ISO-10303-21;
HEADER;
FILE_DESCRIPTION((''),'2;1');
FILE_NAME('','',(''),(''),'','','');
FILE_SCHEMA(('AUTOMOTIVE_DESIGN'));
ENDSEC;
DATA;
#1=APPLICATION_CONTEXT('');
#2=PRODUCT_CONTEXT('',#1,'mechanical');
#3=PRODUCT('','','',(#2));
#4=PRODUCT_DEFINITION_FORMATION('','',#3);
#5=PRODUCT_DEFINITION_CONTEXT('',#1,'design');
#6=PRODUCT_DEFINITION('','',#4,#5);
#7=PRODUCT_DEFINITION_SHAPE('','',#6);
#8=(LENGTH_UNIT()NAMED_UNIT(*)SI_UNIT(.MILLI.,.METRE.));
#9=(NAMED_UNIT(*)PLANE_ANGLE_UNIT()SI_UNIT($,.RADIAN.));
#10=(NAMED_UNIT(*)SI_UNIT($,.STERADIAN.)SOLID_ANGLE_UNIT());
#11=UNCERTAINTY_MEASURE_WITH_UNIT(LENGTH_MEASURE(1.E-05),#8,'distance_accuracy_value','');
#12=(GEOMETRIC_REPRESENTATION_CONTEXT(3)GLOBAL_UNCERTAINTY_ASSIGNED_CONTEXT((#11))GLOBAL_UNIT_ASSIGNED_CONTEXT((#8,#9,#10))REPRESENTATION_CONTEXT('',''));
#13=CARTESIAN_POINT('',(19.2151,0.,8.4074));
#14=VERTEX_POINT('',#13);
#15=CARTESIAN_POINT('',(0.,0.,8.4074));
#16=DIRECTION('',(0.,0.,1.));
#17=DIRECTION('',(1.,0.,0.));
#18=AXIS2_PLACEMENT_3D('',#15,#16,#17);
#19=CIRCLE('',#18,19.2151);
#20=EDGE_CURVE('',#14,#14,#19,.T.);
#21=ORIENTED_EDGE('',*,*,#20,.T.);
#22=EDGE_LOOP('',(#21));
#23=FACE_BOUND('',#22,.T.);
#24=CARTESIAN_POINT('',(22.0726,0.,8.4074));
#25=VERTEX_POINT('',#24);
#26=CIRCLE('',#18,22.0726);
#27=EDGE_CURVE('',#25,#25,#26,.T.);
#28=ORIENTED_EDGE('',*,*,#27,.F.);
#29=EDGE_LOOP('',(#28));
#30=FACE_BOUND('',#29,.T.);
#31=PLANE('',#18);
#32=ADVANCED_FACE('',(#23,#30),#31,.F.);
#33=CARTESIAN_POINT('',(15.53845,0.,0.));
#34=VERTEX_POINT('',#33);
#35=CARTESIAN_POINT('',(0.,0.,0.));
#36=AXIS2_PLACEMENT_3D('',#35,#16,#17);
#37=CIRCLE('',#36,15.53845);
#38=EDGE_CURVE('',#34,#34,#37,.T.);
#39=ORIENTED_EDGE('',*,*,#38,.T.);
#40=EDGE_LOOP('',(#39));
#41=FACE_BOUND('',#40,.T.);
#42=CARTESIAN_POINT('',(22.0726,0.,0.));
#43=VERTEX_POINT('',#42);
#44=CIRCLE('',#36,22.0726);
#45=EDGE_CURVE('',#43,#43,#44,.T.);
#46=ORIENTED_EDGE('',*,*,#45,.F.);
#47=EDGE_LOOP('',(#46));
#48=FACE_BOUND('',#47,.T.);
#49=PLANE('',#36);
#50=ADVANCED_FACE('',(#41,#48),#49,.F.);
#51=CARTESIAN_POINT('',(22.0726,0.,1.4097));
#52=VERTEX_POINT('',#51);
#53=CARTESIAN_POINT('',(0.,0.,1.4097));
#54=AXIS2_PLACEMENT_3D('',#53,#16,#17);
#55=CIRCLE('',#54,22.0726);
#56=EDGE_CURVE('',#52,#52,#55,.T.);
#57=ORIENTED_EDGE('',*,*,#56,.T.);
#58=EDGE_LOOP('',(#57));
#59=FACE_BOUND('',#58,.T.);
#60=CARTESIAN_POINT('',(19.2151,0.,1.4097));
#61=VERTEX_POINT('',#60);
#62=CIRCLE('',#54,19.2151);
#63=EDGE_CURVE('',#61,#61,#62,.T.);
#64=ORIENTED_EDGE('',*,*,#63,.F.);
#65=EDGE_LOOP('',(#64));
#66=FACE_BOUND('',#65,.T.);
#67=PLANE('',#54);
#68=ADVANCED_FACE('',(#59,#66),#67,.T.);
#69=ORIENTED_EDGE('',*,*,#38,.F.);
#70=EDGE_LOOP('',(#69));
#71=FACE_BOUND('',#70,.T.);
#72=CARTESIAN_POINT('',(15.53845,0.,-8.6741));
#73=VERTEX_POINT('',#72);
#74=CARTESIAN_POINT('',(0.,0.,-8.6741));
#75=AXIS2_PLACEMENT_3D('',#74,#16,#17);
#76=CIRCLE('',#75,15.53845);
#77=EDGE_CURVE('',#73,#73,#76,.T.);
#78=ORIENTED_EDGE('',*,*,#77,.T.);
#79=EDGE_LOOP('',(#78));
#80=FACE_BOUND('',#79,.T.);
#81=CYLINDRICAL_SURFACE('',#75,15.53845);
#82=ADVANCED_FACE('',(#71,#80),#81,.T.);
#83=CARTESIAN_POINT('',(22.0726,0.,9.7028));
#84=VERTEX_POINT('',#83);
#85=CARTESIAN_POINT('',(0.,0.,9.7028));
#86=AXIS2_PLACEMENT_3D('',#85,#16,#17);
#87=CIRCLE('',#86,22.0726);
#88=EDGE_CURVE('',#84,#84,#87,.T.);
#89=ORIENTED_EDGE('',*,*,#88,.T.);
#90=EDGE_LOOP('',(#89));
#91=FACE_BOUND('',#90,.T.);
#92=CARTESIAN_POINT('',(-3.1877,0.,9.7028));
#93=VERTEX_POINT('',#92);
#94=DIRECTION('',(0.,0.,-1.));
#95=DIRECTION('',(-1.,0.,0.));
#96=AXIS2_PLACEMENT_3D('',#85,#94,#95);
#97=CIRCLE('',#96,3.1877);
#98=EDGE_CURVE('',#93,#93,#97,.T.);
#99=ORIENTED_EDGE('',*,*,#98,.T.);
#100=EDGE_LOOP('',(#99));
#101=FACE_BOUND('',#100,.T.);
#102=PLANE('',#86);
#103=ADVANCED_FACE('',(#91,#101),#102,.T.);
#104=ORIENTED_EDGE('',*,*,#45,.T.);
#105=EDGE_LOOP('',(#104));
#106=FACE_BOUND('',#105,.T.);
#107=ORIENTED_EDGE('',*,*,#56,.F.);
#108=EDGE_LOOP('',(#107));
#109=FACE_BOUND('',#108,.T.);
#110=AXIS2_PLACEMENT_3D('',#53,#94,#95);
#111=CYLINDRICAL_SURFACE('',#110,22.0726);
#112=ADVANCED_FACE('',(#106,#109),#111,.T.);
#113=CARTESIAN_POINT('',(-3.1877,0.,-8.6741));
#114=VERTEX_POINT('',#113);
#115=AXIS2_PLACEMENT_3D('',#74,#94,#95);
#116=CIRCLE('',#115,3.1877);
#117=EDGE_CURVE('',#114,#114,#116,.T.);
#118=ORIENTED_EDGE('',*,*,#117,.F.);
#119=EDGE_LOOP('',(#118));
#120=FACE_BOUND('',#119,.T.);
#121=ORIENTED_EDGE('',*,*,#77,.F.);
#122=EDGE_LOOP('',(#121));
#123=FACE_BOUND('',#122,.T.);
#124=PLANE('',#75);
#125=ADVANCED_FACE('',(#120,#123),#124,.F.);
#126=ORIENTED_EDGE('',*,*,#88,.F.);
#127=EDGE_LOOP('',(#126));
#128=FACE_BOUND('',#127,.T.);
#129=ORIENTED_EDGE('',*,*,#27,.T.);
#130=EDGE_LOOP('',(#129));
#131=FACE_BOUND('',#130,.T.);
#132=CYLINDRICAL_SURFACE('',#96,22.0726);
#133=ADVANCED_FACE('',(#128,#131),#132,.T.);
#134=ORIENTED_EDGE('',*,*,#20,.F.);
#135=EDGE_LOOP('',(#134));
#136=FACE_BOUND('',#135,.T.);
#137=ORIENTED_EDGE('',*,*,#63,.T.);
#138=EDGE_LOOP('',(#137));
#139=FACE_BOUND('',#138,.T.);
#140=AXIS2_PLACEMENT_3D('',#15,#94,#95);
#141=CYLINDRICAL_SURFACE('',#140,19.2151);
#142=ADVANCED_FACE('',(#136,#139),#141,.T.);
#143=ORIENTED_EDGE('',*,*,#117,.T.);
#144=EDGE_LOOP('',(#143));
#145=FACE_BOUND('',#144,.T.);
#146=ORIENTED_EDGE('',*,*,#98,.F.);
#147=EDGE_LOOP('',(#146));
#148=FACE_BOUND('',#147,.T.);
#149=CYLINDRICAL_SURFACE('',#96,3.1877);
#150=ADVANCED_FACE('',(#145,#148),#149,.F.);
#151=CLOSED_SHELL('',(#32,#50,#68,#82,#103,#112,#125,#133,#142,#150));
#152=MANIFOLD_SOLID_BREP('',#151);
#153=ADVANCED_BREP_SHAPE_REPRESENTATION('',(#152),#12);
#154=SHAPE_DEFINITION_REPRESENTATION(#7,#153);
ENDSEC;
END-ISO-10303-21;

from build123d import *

# Parameters (mm, degrees)
SKETCH1_R           = 15.53845
BOSS_EXTRUDE1_DEPTH = 8.6741
SKETCH2_R           = 22.0726
BOSS_EXTRUDE2_DEPTH = 1.4097
SKETCH3_R           = 19.2151
BOSS_EXTRUDE3_DEPTH = 6.9977
BOSS_EXTRUDE5_START = 8.4074
SKETCH2_3_R         = 22.0726
BOSS_EXTRUDE5_DEPTH = 1.2954
SKETCH5_R           = 3.1877
CUT_EXTRUDE1_DEPTH  = 37.223056126


with BuildPart() as part:
    # Sketch1 → Boss-Extrude1 (new body)
    with BuildSketch(Plane.XY):
        Circle(SKETCH1_R)
    extrude(amount=-BOSS_EXTRUDE1_DEPTH)

    # Sketch2 → Boss-Extrude2 (add)
    with BuildSketch(Plane.XY):
        Circle(SKETCH2_R)
    extrude(amount=BOSS_EXTRUDE2_DEPTH)

    # Sketch3 → Boss-Extrude3 (add)
    with BuildSketch(Plane.XY.offset(1.4097)):
        Circle(SKETCH3_R)
    extrude(amount=BOSS_EXTRUDE3_DEPTH)

    # Sketch2<3> → Boss-Extrude5 (add)
    with BuildSketch(Plane.XY.offset(BOSS_EXTRUDE5_START)):
        Circle(SKETCH2_3_R)
    extrude(amount=BOSS_EXTRUDE5_DEPTH)

    # Sketch5 → Cut-Extrude1 (cut, through all)
    with BuildSketch(Plane(origin=(0, 0, -8.6741), x_dir=(-1, 0, 0), z_dir=(0, 0, -1))):
        Circle(SKETCH5_R)
    extrude(amount=-CUT_EXTRUDE1_DEPTH, mode=Mode.SUBTRACT)


solid = part.part
